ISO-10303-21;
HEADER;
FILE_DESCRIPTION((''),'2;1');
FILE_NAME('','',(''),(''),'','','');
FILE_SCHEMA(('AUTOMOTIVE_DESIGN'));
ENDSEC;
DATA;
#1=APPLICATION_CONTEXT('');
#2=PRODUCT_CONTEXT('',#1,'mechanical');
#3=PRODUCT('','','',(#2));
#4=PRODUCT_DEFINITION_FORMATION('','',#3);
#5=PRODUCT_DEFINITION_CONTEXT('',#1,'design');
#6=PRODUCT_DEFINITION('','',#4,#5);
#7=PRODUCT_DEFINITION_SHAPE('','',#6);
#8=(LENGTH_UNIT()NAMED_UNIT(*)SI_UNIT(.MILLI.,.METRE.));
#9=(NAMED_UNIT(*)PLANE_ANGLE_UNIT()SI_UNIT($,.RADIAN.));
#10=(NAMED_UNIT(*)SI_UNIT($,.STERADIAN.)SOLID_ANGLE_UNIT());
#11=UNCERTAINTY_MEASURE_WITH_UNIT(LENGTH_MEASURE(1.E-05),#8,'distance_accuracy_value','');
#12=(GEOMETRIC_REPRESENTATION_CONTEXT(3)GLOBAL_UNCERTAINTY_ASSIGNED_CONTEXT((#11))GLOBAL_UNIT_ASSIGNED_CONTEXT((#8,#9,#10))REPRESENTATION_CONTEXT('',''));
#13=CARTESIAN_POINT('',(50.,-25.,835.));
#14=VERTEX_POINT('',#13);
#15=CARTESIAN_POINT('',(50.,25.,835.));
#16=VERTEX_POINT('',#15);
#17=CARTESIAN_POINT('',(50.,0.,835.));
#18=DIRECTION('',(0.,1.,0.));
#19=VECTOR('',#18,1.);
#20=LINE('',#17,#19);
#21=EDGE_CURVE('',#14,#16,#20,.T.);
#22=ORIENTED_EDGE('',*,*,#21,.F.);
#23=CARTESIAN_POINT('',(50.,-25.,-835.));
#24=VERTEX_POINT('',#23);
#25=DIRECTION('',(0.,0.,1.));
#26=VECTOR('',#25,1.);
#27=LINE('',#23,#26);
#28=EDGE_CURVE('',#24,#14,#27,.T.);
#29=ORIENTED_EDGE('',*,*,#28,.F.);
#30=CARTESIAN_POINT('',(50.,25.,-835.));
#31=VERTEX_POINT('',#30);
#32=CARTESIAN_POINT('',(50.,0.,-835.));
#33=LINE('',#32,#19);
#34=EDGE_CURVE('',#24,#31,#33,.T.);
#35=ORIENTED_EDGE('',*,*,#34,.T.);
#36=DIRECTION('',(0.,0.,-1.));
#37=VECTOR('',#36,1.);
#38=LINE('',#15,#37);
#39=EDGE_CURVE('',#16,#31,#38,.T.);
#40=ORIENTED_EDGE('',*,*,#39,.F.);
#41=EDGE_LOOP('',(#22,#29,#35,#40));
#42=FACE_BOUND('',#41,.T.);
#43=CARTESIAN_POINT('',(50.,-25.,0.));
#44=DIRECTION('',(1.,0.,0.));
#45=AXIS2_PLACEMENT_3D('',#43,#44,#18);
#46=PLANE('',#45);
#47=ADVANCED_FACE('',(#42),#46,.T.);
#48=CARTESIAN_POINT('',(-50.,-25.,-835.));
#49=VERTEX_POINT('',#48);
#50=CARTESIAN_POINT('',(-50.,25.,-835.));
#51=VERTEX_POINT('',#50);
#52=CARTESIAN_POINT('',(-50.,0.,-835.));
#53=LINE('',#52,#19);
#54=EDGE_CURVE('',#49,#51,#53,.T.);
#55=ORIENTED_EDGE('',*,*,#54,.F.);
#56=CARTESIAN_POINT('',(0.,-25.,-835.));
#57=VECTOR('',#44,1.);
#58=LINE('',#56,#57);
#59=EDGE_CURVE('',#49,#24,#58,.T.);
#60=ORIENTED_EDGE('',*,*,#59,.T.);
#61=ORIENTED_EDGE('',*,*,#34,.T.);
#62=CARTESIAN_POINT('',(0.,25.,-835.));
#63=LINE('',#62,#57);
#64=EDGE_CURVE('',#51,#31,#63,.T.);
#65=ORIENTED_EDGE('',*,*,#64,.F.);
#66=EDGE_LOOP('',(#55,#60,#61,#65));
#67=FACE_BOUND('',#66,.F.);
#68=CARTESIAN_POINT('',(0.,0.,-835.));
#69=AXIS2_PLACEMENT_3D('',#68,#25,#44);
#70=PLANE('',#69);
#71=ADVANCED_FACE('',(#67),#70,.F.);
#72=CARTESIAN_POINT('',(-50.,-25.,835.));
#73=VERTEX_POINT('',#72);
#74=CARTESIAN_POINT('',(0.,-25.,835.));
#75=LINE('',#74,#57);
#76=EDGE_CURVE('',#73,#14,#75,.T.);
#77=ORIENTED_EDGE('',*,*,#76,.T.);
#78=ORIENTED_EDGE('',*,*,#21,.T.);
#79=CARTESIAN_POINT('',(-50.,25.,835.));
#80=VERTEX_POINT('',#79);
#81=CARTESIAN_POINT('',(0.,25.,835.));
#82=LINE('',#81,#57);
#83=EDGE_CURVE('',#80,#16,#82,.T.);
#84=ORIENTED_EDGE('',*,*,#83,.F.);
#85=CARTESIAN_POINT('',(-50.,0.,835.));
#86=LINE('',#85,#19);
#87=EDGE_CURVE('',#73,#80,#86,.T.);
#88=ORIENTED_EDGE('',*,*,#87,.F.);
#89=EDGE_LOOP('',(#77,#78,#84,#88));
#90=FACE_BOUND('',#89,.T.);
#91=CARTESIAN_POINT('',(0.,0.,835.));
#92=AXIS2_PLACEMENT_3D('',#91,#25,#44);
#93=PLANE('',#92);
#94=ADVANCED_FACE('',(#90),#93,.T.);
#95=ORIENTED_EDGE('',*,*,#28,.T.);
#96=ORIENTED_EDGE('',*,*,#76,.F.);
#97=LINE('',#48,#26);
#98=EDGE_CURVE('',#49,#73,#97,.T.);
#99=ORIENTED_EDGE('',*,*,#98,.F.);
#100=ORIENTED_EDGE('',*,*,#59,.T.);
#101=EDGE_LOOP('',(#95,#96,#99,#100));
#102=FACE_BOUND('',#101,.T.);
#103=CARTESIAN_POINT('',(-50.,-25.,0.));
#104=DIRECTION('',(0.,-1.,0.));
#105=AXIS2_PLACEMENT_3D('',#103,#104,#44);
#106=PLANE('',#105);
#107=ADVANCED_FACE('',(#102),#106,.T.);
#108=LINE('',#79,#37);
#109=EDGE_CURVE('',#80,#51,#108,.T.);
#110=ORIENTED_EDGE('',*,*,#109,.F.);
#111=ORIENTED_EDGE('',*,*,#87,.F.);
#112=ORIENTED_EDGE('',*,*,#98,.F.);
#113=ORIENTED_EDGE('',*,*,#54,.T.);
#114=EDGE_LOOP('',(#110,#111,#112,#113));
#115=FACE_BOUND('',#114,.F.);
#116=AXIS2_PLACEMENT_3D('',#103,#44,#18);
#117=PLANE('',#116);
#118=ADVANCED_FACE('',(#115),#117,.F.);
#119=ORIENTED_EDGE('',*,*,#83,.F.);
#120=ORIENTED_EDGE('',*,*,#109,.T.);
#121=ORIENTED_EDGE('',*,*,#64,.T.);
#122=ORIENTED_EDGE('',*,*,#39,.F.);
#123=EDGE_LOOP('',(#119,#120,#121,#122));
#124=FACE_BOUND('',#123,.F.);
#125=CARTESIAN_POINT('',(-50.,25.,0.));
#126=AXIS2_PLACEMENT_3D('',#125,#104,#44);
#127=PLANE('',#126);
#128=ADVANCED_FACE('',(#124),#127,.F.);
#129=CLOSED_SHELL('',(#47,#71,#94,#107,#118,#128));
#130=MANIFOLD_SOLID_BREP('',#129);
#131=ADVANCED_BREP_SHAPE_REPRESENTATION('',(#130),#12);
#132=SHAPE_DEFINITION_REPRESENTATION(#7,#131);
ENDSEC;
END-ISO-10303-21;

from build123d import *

# Parameters (mm, degrees)
SKETCH_W  = 100
SKETCH_H  = 50
PAD_DEPTH = 835


with BuildPart() as part:
    # Sketch → Pad (new body, symmetric)
    with BuildSketch(Plane.XY):
        Rectangle(SKETCH_W, SKETCH_H)
    extrude(amount=PAD_DEPTH, both=True)


solid = part.part
